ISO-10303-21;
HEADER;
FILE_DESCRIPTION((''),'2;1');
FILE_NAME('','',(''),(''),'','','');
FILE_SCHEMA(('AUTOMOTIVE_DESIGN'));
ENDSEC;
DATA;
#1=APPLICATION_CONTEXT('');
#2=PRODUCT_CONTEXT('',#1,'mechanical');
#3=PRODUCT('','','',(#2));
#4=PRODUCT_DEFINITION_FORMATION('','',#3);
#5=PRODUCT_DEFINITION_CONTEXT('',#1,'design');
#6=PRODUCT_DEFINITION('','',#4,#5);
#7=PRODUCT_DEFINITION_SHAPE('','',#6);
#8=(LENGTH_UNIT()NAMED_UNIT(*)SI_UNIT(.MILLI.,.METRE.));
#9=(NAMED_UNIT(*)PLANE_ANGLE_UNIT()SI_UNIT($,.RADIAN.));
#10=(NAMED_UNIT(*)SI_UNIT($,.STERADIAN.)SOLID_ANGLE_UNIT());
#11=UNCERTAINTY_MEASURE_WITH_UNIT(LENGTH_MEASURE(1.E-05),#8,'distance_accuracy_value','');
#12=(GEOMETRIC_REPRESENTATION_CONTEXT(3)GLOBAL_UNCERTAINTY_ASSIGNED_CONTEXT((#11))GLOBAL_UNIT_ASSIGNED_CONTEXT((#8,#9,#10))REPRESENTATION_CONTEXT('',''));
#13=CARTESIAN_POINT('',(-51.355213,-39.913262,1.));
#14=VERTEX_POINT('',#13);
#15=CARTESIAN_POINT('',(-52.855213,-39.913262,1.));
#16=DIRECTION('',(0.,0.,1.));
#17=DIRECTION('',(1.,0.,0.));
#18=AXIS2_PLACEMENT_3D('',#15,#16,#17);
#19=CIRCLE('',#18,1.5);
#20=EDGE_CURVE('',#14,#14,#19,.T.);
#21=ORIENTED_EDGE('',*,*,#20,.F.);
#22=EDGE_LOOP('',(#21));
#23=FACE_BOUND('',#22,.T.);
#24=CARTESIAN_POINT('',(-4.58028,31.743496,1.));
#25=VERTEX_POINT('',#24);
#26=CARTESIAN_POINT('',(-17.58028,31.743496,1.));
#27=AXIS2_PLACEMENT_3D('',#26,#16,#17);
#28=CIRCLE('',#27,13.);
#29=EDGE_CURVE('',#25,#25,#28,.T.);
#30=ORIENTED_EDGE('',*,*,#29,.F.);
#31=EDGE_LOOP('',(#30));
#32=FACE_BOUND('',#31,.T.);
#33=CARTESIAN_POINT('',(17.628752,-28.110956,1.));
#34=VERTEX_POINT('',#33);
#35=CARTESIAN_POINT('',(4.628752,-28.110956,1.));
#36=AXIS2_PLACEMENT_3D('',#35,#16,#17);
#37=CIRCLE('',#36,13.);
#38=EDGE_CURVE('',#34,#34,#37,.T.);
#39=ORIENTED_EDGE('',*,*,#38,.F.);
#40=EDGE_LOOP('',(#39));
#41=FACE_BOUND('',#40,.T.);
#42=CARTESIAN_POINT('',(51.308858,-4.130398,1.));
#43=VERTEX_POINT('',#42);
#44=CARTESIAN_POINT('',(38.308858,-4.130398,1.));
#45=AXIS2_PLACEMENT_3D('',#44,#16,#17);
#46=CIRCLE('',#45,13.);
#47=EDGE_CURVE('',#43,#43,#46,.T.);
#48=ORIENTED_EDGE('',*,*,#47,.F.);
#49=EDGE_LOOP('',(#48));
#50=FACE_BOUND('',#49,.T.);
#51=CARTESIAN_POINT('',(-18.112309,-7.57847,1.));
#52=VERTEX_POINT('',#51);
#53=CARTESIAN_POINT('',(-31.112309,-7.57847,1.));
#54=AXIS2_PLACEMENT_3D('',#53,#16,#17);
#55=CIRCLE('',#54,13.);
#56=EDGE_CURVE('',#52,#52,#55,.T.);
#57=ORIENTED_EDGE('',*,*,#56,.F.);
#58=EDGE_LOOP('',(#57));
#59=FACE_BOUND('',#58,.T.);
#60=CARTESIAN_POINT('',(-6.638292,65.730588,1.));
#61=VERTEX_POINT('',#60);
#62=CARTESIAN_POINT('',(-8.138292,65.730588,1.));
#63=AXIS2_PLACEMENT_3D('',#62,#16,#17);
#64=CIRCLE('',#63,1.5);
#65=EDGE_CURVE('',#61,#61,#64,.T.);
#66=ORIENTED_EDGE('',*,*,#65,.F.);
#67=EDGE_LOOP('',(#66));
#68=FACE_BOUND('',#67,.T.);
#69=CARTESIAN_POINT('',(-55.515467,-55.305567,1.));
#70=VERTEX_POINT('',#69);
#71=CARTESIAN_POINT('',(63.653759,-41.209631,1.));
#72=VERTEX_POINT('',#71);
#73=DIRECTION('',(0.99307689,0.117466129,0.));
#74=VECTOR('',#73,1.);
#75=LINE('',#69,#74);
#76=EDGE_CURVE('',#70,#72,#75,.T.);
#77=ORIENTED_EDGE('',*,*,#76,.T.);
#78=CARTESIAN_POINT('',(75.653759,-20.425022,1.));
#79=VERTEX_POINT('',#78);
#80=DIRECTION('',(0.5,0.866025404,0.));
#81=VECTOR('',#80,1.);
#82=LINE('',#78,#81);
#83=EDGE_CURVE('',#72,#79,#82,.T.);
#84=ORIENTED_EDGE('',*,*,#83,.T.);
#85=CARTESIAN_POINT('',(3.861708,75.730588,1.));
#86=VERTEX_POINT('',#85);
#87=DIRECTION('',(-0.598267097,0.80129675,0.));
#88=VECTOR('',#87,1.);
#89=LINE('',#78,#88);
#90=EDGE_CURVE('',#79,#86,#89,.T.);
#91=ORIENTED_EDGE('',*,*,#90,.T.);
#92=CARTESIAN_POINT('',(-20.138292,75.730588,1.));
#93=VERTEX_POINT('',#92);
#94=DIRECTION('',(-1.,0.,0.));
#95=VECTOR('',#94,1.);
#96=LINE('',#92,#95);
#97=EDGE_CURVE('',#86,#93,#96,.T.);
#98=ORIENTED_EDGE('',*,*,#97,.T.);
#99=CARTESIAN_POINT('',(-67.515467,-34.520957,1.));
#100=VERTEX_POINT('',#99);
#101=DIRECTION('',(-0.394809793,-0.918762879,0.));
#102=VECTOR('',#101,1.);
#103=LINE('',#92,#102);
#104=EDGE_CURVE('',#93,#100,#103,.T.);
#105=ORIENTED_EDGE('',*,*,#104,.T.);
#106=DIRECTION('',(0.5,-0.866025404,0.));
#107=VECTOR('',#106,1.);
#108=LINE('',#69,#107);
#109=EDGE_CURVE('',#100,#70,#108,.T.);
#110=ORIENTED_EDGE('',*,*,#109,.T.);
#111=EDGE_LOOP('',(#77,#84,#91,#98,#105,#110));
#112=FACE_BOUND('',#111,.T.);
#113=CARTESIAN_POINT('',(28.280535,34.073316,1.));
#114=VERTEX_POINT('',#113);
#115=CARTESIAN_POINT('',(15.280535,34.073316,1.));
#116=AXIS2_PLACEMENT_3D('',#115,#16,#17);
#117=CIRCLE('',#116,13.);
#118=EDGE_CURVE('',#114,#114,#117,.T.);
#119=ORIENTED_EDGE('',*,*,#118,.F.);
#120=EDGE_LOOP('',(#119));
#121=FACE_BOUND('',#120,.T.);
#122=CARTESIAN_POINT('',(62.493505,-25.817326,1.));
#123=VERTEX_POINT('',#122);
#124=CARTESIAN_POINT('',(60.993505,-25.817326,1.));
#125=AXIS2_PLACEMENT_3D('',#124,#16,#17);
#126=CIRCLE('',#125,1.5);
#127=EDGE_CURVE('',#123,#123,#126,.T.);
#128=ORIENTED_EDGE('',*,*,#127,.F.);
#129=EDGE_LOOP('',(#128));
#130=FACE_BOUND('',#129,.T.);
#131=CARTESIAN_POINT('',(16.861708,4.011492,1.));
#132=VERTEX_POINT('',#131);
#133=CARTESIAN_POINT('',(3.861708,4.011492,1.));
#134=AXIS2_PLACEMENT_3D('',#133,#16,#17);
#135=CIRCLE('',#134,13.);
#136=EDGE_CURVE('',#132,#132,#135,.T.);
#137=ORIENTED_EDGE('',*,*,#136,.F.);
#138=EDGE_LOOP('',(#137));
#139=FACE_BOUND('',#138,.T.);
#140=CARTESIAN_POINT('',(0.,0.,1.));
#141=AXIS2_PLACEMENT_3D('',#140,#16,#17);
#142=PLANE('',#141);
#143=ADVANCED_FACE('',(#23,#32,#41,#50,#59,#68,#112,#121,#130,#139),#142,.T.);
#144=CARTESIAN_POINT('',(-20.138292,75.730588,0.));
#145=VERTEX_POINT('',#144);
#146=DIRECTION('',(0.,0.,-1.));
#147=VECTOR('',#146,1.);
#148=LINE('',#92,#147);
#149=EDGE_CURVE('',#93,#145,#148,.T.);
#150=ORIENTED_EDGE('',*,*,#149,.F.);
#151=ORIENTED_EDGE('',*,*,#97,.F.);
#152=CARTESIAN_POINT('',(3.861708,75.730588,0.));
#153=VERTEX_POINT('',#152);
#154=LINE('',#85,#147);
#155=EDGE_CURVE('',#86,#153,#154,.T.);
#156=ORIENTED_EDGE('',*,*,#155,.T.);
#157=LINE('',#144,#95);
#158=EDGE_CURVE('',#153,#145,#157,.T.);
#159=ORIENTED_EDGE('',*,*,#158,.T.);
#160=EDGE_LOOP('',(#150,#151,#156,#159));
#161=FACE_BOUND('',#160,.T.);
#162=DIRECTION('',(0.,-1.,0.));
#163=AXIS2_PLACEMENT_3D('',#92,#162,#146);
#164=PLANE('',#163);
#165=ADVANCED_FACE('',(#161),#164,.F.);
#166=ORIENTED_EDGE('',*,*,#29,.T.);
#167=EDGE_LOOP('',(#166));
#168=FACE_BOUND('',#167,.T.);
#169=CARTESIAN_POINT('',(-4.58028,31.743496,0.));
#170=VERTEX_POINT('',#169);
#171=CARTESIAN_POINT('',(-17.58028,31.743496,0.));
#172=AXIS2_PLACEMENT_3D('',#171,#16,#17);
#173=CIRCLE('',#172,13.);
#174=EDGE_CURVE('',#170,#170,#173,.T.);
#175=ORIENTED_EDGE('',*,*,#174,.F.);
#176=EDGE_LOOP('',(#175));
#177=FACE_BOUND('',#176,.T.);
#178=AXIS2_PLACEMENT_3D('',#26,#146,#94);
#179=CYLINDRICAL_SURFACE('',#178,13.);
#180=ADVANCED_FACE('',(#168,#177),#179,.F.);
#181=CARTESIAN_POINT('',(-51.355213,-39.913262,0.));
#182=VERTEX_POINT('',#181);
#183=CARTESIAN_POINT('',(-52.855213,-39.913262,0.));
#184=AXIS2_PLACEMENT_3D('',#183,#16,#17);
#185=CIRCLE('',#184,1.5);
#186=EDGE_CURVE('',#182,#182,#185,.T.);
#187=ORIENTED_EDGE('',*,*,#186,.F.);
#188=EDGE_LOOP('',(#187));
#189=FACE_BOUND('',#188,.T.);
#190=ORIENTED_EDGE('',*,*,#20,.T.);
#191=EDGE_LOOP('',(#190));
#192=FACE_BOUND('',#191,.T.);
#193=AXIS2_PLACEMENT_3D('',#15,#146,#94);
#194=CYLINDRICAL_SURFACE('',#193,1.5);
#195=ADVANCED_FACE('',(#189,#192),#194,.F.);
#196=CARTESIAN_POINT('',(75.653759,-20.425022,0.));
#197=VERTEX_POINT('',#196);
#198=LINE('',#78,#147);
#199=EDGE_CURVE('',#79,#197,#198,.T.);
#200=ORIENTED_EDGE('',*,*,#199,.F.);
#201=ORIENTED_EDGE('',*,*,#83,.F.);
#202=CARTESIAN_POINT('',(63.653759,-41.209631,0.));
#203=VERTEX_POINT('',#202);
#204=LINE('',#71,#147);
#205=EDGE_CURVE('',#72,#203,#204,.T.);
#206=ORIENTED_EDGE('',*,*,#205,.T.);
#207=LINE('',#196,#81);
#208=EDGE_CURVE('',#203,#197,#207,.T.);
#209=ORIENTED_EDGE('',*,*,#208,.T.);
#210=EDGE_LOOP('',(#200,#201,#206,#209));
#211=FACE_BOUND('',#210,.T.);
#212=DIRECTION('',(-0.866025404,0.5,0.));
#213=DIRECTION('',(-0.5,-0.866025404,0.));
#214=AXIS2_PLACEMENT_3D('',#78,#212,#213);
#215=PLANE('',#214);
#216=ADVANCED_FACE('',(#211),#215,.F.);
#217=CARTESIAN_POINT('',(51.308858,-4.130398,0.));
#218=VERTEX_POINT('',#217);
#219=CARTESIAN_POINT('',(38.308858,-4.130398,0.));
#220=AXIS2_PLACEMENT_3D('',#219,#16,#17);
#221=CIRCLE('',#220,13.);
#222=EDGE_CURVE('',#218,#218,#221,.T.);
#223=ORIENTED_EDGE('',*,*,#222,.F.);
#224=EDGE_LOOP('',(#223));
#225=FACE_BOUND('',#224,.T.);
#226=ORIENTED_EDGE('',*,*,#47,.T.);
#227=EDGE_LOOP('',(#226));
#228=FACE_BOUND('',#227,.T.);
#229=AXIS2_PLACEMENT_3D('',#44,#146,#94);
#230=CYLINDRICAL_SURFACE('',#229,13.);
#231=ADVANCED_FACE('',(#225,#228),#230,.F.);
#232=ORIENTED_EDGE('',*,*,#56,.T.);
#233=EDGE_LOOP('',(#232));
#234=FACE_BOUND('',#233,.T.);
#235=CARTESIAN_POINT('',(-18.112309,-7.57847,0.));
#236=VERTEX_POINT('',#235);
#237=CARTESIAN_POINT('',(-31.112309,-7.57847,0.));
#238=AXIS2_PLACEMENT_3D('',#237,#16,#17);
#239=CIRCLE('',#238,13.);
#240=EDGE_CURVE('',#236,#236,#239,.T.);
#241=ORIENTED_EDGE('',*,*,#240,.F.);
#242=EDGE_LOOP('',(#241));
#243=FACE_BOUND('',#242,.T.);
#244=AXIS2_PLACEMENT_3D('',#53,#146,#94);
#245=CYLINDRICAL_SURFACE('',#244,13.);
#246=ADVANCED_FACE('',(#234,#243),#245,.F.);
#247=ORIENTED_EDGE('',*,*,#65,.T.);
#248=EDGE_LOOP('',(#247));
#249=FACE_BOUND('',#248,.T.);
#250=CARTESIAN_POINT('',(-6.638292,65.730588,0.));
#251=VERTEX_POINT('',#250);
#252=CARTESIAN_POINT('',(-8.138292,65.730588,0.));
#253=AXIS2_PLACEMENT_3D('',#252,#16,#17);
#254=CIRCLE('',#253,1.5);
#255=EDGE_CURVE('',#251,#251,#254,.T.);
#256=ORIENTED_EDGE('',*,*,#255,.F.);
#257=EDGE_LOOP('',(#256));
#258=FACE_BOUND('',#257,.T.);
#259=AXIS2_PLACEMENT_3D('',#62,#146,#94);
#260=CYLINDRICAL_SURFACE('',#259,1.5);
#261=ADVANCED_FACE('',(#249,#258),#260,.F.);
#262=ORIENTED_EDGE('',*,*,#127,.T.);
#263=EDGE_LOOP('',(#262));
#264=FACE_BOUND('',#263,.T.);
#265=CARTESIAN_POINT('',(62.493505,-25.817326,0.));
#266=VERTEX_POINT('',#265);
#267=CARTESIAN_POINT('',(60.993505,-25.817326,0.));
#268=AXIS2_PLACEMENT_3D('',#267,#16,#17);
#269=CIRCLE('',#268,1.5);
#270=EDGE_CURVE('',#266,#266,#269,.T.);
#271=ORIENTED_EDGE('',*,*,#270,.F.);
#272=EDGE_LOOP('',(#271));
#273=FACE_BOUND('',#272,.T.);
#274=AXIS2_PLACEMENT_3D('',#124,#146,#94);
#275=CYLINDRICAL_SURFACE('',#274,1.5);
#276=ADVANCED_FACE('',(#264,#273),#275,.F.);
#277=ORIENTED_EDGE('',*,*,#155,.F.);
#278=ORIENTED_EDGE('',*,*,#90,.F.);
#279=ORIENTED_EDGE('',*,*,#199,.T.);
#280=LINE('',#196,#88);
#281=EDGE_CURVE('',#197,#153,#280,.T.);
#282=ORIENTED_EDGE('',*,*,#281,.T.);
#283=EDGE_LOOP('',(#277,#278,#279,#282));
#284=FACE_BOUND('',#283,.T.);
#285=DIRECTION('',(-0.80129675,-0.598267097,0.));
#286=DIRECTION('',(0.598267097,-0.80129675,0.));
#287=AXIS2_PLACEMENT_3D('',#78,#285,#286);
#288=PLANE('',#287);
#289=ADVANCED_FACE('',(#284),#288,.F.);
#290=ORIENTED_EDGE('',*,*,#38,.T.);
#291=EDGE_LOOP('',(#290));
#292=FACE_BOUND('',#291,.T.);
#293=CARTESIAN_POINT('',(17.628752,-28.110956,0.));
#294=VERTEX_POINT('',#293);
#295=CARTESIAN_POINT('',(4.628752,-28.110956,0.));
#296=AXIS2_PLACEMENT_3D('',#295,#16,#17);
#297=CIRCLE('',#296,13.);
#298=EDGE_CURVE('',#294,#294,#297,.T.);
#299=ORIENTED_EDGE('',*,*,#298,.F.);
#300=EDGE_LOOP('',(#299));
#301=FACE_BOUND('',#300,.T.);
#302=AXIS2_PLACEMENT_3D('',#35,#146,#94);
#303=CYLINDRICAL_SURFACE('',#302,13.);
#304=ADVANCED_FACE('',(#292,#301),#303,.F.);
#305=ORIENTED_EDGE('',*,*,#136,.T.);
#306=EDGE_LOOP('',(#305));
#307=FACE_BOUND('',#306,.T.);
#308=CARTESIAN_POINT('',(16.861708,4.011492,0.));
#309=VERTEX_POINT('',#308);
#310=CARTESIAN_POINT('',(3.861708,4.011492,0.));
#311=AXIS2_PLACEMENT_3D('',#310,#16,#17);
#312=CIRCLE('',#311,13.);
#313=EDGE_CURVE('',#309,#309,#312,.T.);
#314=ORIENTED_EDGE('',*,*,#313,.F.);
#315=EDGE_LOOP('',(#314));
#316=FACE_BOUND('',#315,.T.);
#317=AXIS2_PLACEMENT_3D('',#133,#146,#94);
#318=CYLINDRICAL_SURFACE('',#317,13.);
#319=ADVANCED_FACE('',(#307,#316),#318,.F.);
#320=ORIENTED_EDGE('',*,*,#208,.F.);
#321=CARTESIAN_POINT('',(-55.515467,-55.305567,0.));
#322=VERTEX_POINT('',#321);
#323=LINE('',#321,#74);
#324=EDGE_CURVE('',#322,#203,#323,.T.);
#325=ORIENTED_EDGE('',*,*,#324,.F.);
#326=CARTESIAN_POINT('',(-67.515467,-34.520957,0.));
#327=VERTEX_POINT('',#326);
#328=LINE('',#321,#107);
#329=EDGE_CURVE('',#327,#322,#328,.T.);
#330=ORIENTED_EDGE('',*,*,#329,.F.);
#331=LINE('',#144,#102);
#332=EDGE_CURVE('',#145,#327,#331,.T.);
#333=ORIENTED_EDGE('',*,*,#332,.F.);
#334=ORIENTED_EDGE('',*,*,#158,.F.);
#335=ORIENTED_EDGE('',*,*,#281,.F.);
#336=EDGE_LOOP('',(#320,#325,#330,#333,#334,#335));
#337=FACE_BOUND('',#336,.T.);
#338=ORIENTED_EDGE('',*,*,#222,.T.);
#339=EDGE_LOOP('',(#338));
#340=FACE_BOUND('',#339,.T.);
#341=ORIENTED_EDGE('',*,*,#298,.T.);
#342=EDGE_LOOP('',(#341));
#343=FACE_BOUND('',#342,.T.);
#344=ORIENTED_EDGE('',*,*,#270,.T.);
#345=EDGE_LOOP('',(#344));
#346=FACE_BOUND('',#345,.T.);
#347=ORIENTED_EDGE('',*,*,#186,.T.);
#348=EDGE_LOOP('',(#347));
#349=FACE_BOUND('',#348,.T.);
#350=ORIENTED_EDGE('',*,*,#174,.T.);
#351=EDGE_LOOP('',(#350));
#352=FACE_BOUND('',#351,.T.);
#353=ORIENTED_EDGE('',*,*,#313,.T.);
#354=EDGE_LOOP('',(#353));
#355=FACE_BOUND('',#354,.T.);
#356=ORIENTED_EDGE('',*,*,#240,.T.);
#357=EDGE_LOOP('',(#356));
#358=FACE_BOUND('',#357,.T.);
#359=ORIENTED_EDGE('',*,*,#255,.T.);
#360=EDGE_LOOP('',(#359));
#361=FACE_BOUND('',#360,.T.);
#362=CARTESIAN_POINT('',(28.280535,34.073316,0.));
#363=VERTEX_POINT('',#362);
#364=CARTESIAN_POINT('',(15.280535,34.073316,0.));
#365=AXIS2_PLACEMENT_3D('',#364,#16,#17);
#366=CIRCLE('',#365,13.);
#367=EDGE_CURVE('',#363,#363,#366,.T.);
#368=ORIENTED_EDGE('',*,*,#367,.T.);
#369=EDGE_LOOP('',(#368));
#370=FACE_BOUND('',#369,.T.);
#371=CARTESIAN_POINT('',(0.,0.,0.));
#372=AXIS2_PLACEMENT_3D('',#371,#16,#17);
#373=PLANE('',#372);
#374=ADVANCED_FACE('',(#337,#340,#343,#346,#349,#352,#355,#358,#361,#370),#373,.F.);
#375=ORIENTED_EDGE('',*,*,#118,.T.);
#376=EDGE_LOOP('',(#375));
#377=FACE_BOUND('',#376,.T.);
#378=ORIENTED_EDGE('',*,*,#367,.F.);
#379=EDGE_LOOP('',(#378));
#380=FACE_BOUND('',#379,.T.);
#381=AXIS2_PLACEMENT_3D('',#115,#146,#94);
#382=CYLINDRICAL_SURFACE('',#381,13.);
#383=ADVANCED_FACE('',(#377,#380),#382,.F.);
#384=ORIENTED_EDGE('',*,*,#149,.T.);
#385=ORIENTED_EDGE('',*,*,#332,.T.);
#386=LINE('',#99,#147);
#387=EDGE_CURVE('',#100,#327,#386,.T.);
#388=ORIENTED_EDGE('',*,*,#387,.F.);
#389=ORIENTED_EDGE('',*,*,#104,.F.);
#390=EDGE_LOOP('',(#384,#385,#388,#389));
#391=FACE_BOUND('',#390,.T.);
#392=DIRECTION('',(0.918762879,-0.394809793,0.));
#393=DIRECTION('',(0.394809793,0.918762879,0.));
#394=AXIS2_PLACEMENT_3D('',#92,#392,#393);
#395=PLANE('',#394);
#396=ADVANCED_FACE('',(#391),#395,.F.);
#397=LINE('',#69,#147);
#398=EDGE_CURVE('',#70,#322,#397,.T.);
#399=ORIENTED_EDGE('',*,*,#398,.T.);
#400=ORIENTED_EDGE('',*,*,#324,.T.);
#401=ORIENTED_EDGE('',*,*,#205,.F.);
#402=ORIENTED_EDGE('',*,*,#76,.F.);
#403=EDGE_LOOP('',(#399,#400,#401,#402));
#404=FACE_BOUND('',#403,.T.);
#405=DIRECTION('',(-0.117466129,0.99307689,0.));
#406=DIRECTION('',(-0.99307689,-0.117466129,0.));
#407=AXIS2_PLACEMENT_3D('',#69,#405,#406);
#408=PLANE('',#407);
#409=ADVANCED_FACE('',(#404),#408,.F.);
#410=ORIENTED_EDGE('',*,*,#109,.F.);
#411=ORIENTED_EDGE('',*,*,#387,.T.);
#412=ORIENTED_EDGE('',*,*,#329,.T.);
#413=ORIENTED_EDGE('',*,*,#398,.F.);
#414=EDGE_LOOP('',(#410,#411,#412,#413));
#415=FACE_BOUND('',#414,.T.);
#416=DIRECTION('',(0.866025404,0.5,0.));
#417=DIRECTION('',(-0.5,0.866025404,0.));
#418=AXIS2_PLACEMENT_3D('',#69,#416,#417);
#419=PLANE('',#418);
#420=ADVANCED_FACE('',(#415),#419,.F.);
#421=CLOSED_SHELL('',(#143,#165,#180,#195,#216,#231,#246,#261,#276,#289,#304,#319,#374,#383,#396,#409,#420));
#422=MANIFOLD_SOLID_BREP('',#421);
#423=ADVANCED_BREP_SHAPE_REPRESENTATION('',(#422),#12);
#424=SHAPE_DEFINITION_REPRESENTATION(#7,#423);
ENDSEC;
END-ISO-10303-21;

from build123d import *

# Parameters (mm, degrees)
CROQUIS1_R              = 1.5
CROQUIS1_R_2            = 13
SALIENTE_EXTRUIR1_DEPTH = 1


with BuildPart() as part:
    # Croquis1 → Saliente-Extruir1 (new body)
    with BuildSketch(Plane.XY):
        Polygon((75.653759451, -20.425021584), (63.653759451, -41.209631274), (-55.51546729, -55.305566785), (-67.51546729, -34.520957094), (-20.138292161, 75.730588368), (3.861707839, 75.730588368), align=None)
        with Locations((-8.138292161, 65.730588368)):
            Circle(CROQUIS1_R, mode=Mode.SUBTRACT)
        with Locations((60.993505413, -25.817326429)):
            Circle(CROQUIS1_R, mode=Mode.SUBTRACT)
        with Locations((-52.855213252, -39.913261939)):
            Circle(CROQUIS1_R, mode=Mode.SUBTRACT)
        with Locations((-17.580280051, 31.743495557)):
            Circle(CROQUIS1_R_2, mode=Mode.SUBTRACT)
        with Locations((15.280535098, 34.073315968)):
            Circle(CROQUIS1_R_2, mode=Mode.SUBTRACT)
        with Locations((38.308858253, -4.130398412)):
            Circle(CROQUIS1_R_2, mode=Mode.SUBTRACT)
        with Locations((3.861707839, 4.011492021)):
            Circle(CROQUIS1_R_2, mode=Mode.SUBTRACT)
        with Locations((4.62875153, -28.110955522)):
            Circle(CROQUIS1_R_2, mode=Mode.SUBTRACT)
        with Locations((-31.112309288, -7.578469648)):
            Circle(CROQUIS1_R_2, mode=Mode.SUBTRACT)
    extrude(amount=SALIENTE_EXTRUIR1_DEPTH)


solid = part.part
